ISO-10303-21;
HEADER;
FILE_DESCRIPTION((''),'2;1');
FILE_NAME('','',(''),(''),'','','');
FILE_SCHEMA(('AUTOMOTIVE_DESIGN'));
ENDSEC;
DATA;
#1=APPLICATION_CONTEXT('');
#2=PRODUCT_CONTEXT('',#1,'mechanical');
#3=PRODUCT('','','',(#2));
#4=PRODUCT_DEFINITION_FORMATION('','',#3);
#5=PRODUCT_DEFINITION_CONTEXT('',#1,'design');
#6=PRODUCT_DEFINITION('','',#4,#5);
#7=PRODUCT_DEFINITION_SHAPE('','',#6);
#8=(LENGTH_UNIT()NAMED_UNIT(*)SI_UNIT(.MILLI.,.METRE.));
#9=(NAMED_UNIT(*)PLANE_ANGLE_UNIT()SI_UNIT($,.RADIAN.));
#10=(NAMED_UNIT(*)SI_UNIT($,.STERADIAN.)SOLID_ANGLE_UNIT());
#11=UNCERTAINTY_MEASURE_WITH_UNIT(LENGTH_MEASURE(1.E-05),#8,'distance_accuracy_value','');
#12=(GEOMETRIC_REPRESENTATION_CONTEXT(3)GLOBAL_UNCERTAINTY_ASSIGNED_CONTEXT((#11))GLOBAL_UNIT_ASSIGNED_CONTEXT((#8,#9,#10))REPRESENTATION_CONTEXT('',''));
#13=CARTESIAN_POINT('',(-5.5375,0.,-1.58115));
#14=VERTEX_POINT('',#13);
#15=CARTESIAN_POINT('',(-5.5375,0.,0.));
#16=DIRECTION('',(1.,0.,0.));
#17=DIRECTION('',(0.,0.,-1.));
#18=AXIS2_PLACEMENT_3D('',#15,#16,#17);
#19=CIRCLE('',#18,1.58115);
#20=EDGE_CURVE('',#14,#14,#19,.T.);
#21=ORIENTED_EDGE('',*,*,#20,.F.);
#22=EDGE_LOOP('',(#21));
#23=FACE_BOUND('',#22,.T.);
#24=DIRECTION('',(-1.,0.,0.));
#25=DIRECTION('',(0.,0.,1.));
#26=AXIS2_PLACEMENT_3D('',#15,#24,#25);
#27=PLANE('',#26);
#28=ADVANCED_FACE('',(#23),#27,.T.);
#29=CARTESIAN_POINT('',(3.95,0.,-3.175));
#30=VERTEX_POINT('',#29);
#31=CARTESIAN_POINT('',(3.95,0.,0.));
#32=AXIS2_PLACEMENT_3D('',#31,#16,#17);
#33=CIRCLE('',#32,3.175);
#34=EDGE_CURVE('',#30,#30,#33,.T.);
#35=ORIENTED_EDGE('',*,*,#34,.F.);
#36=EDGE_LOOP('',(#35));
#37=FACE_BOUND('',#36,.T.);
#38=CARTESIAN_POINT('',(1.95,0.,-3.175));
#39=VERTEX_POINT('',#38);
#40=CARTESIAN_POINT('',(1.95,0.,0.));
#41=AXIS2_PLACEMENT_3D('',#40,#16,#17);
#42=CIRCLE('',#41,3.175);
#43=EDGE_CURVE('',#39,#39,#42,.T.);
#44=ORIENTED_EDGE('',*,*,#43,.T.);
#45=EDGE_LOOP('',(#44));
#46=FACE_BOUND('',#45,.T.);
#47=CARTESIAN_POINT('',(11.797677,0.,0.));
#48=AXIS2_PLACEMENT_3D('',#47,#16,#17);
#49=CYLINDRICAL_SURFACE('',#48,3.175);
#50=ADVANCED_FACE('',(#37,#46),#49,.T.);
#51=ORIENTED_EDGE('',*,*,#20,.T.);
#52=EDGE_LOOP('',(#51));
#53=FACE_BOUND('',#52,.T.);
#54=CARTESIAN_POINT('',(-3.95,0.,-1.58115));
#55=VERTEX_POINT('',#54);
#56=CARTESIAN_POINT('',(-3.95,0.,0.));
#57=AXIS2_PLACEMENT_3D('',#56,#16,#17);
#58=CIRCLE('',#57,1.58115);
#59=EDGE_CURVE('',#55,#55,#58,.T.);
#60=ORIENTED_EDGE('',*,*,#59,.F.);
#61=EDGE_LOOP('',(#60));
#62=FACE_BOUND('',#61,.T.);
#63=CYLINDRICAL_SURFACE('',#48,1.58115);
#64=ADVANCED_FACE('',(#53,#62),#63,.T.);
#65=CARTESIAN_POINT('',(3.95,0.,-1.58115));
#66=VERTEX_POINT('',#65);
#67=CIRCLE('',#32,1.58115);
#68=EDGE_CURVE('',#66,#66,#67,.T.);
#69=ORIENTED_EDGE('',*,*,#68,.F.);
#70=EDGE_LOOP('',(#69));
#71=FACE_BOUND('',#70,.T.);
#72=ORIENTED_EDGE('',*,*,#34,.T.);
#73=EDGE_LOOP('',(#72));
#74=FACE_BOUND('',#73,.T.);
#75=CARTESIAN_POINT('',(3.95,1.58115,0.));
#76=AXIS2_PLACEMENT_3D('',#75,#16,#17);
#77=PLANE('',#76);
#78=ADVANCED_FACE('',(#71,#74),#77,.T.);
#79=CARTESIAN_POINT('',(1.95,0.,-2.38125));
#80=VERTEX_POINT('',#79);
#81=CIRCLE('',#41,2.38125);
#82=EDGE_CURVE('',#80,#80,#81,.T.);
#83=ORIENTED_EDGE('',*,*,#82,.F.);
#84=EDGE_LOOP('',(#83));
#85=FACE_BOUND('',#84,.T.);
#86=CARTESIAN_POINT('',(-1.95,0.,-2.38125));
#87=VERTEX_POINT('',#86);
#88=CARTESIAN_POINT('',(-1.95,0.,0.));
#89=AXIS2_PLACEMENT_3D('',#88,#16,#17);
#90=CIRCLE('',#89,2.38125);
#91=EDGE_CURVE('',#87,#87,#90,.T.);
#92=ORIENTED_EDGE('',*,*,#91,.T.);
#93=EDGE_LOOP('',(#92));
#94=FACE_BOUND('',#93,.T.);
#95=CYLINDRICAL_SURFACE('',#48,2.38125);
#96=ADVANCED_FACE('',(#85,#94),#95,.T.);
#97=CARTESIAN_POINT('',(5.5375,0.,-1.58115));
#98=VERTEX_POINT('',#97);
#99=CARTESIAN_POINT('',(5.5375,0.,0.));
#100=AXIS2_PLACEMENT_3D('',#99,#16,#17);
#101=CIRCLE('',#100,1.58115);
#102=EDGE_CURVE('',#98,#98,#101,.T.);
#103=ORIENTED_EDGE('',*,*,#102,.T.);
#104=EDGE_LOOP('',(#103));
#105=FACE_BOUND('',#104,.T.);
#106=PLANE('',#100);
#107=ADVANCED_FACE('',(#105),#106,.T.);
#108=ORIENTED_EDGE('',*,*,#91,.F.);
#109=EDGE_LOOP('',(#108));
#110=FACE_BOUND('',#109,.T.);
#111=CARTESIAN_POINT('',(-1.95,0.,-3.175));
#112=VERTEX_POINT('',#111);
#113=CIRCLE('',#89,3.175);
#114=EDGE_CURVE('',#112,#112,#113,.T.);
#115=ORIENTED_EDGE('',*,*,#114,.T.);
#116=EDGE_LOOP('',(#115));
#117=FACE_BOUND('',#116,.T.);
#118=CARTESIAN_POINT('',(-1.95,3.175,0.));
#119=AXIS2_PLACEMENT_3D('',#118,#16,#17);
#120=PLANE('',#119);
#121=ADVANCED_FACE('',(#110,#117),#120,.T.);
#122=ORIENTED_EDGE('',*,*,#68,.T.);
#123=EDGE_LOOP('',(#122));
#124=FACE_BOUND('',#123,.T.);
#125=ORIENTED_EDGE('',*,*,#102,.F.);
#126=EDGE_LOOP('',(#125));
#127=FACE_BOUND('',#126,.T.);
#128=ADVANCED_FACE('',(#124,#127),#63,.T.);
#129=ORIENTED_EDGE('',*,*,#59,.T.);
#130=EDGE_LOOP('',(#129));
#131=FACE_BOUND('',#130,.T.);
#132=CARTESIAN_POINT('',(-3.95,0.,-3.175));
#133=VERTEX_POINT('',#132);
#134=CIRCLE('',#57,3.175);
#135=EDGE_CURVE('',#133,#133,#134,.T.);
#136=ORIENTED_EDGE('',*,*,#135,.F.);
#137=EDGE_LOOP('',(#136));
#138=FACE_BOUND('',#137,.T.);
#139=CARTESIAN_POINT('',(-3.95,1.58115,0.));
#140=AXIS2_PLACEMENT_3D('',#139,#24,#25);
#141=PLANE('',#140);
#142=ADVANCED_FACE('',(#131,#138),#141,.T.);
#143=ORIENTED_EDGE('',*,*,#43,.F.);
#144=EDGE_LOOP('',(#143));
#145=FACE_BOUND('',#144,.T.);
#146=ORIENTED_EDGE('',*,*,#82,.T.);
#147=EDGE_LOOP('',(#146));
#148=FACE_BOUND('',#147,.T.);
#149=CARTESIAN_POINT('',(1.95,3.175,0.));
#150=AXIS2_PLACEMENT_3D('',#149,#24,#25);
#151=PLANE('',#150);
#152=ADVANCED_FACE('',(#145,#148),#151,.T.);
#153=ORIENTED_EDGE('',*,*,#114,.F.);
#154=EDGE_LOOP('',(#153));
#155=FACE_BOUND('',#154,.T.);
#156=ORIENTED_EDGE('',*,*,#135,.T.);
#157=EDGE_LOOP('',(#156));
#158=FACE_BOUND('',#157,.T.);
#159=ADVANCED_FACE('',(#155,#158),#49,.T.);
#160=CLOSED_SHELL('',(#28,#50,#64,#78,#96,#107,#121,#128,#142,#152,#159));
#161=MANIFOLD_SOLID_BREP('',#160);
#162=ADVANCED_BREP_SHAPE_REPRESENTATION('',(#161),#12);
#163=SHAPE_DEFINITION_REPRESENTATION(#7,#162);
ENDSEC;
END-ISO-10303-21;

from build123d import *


with BuildPart() as part:
    # Sketch1 → Revolve1 (revolve)
    with BuildSketch(Plane.XY):
        Polygon((5.5375, 0), (-5.5375, 0), (-5.5375, 1.58115), (-3.95, 1.58115), (-3.95, 3.175), (-1.95, 3.175), (-1.95, 2.38125), (1.95, 2.38125), (1.95, 3.175), (3.95, 3.175), (3.95, 1.58115), (5.5375, 1.58115), align=None)
    revolve(axis=Axis((11.797676621, 0, 0), (-1, 0, 0)))


solid = part.part
